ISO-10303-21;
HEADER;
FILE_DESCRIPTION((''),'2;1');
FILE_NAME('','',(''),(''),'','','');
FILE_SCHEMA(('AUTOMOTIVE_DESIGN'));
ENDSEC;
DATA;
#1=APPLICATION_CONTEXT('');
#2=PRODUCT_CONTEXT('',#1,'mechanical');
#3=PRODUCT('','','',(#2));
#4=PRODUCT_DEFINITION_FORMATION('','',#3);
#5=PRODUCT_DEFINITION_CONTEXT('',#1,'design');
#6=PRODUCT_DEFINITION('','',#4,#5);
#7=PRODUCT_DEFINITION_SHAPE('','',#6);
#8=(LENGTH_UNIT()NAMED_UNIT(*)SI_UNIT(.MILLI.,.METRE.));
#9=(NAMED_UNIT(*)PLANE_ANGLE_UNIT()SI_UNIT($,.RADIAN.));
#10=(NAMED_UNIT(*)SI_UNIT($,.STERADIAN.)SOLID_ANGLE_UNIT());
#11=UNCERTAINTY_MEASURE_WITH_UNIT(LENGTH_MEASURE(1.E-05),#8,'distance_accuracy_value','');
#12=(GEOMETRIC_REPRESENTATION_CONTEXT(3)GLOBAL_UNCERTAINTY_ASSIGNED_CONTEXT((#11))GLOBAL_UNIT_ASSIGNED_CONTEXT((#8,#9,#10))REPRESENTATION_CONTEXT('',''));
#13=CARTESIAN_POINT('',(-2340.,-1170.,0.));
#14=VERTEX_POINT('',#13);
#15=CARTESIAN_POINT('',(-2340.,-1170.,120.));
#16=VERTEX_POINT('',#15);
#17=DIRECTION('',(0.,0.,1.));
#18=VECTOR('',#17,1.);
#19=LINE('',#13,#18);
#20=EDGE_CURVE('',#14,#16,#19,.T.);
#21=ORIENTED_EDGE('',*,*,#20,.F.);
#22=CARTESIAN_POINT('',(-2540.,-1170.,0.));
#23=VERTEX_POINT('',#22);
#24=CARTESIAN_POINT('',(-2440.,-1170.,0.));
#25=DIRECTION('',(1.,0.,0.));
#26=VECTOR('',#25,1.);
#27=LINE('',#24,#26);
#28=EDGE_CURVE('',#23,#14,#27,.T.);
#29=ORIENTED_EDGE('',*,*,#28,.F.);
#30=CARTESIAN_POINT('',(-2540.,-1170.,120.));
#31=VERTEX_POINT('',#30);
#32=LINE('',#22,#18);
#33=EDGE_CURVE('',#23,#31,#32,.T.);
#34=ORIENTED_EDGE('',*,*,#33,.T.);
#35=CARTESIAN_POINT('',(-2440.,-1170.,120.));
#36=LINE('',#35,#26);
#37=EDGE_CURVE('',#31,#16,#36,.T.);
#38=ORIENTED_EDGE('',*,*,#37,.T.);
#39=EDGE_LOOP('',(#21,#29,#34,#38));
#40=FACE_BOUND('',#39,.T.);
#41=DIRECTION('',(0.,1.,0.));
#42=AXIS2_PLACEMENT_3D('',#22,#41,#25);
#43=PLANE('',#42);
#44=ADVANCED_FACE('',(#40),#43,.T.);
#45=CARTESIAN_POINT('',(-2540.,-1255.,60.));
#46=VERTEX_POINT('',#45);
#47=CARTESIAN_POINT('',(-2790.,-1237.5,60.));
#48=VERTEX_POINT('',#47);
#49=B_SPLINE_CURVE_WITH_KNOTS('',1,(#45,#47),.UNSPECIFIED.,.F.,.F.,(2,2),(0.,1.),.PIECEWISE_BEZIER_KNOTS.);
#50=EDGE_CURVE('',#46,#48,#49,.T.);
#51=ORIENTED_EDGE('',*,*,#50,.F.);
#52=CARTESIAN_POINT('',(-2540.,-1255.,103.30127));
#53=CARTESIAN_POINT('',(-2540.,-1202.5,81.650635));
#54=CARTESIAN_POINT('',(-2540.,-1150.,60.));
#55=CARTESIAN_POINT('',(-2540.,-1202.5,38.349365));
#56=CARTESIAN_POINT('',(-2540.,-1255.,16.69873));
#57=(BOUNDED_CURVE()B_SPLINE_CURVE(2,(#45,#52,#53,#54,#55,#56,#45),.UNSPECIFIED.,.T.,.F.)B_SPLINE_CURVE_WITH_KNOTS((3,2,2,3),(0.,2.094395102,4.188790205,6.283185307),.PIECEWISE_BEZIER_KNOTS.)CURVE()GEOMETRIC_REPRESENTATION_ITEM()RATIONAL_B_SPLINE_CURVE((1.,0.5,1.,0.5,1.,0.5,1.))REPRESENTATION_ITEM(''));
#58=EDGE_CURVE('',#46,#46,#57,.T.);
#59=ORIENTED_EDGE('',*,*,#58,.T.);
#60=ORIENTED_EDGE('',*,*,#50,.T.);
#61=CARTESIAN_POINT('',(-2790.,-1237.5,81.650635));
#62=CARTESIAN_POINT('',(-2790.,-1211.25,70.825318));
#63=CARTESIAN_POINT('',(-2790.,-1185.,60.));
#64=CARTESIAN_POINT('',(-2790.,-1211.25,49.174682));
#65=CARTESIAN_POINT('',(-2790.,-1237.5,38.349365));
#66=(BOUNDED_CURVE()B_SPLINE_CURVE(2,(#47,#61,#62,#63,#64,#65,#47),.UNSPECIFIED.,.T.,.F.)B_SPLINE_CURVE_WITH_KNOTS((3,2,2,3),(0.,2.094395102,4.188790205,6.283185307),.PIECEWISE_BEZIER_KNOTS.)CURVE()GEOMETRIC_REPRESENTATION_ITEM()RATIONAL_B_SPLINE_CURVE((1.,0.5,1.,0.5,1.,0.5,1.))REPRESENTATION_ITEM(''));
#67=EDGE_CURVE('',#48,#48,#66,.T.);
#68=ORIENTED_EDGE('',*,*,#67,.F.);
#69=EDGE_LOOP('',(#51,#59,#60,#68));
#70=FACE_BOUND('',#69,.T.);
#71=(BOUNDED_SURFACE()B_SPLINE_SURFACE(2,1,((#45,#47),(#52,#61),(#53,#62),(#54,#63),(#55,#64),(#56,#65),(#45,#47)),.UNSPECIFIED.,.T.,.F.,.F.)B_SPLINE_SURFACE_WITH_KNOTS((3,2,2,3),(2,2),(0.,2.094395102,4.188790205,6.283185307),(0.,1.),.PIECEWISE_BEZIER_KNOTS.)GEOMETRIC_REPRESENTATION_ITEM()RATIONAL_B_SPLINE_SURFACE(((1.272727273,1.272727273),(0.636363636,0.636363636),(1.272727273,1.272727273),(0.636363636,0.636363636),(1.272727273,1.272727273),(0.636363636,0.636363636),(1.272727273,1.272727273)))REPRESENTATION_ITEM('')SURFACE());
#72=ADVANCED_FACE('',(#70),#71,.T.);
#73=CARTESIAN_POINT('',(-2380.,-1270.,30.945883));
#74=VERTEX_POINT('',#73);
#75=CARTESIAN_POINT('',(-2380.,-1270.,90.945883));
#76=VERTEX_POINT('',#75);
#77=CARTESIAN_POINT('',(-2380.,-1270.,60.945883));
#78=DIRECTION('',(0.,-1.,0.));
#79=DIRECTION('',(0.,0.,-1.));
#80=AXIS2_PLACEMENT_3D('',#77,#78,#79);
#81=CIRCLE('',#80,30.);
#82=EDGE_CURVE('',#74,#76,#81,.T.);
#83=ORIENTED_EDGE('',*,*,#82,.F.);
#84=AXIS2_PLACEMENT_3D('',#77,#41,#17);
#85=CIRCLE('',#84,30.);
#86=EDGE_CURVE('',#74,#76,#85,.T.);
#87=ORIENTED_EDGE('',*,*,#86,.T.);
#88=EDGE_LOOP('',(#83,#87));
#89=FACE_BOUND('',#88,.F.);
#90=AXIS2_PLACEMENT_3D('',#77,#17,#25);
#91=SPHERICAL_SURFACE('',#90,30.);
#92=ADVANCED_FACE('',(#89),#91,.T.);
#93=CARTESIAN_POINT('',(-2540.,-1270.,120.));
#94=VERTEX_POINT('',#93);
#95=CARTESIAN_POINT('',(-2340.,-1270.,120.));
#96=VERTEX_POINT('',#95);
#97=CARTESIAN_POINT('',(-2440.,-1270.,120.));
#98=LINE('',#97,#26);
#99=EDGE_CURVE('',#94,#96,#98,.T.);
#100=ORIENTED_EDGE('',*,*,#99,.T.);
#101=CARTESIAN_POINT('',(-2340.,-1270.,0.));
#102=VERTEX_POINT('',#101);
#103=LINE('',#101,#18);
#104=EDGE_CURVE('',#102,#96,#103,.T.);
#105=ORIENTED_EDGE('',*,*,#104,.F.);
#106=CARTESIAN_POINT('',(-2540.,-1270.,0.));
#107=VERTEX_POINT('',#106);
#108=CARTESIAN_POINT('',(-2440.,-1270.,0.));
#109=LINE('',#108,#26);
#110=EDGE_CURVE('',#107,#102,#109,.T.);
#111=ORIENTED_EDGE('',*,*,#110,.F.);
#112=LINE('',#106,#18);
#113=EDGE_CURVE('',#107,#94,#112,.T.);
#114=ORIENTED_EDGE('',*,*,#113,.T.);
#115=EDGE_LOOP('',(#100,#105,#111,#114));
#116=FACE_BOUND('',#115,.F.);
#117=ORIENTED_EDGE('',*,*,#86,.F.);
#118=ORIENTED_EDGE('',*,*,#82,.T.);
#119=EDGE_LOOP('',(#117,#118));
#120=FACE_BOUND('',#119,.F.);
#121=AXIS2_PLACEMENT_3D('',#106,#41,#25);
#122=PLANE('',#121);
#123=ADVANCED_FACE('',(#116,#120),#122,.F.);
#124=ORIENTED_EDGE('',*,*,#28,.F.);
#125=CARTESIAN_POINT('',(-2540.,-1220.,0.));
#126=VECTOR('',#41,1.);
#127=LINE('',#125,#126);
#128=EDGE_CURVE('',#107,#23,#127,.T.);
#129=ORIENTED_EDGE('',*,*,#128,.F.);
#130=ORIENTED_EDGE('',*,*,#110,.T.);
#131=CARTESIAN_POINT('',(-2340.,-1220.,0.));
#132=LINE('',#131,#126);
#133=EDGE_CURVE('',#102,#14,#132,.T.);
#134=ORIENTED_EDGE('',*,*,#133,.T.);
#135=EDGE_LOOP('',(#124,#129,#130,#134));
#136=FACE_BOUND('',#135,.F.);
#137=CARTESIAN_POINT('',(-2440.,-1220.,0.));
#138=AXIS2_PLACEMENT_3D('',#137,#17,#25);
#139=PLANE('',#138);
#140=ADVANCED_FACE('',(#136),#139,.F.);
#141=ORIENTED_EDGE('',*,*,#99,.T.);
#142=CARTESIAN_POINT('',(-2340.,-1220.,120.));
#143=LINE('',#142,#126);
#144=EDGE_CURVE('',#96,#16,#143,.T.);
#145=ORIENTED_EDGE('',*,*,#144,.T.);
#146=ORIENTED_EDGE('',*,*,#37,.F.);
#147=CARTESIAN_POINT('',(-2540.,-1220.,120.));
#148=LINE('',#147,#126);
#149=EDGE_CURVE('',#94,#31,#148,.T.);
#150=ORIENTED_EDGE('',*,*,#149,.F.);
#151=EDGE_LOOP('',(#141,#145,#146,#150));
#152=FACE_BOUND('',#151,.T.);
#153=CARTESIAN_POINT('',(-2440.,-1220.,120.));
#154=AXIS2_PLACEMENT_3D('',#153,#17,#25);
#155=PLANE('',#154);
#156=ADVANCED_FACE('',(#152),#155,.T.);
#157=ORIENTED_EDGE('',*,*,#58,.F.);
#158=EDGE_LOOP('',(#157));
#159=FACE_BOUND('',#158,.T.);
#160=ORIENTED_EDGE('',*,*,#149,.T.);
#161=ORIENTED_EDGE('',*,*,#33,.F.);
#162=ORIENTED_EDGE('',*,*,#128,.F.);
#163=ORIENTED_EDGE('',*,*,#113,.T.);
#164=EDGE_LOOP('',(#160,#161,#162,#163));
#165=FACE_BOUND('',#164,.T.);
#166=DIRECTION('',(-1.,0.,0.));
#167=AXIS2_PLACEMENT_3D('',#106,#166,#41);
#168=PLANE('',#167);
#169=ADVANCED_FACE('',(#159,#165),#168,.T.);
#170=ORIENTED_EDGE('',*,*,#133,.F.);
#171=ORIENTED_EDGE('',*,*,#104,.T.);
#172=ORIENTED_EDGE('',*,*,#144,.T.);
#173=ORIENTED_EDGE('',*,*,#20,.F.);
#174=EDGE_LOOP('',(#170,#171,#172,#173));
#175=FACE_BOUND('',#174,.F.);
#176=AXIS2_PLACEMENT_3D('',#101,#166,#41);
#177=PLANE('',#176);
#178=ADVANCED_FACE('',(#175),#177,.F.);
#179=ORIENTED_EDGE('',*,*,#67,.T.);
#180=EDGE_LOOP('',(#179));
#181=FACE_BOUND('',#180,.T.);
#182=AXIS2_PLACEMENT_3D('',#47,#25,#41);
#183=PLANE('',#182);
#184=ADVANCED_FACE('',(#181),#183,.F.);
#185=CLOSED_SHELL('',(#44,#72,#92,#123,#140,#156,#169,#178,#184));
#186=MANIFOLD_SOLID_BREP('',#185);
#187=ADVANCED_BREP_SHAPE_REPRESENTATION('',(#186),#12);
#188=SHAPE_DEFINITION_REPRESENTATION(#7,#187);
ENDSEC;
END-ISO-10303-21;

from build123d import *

# Parameters (mm, degrees)
F0_W     = 200
F0_H     = 100
F1_DEPTH = 120


with BuildPart() as f1:
    # F0 (on Top) → F1 (new body)
    with BuildSketch(Plane.XY):
        with Locations((-2440, -1220)):
            Rectangle(F0_W, F0_H)
    extrude(amount=F1_DEPTH)

    # F2 (on face) → F3 (revolve)
    with BuildSketch(Plane.XZ.offset(1270)):
        with BuildLine():
            Line((-2380, 90.9458833933), (-2380, 30.9458833933))
            ThreePointArc((-2380, 30.9458833933), (-2350, 60.9458833933), (-2380, 90.9458833933))
        make_face()
    revolve(axis=Axis((-2380, -1270, 60.9458833933), (0, 0, -1)))

    # F5 (on face) → F8 section 0
    with BuildSketch(Plane(origin=(-2540, 0, 0), x_dir=(0, -1, 0), z_dir=(-1, 0, 0))):
        with BuildLine():
            add(Edge.make_bspline(
                [(1255, 60), (1255, 103.3012701892), (1202.5, 81.6506350946), (1150, 60), (1202.5, 38.3493649054), (1255, 16.6987298108), (1255, 60)],
                knots=[0, 0, 0, 2.0943951024, 2.0943951024, 4.1887902048, 4.1887902048, 6.2831853072, 6.2831853072, 6.2831853072], degree=2, weights=[1, 0.5, 1, 0.5, 1, 0.5, 1]))
        make_face()
    # F7 (on offset) → F8 section 1
    with BuildSketch(Plane(origin=(-2790, 0, 0), x_dir=(0, -1, 0), z_dir=(-1, 0, 0))):
        with BuildLine():
            add(Edge.make_bspline(
                [(1237.5, 60), (1237.5, 81.6506350946), (1211.25, 70.8253175473), (1185, 60), (1211.25, 49.1746824527), (1237.5, 38.3493649054), (1237.5, 60)],
                knots=[0, 0, 0, 2.0943951024, 2.0943951024, 4.1887902048, 4.1887902048, 6.2831853072, 6.2831853072, 6.2831853072], degree=2, weights=[1, 0.5, 1, 0.5, 1, 0.5, 1]))
        make_face()
    loft()


solid = f1.part
